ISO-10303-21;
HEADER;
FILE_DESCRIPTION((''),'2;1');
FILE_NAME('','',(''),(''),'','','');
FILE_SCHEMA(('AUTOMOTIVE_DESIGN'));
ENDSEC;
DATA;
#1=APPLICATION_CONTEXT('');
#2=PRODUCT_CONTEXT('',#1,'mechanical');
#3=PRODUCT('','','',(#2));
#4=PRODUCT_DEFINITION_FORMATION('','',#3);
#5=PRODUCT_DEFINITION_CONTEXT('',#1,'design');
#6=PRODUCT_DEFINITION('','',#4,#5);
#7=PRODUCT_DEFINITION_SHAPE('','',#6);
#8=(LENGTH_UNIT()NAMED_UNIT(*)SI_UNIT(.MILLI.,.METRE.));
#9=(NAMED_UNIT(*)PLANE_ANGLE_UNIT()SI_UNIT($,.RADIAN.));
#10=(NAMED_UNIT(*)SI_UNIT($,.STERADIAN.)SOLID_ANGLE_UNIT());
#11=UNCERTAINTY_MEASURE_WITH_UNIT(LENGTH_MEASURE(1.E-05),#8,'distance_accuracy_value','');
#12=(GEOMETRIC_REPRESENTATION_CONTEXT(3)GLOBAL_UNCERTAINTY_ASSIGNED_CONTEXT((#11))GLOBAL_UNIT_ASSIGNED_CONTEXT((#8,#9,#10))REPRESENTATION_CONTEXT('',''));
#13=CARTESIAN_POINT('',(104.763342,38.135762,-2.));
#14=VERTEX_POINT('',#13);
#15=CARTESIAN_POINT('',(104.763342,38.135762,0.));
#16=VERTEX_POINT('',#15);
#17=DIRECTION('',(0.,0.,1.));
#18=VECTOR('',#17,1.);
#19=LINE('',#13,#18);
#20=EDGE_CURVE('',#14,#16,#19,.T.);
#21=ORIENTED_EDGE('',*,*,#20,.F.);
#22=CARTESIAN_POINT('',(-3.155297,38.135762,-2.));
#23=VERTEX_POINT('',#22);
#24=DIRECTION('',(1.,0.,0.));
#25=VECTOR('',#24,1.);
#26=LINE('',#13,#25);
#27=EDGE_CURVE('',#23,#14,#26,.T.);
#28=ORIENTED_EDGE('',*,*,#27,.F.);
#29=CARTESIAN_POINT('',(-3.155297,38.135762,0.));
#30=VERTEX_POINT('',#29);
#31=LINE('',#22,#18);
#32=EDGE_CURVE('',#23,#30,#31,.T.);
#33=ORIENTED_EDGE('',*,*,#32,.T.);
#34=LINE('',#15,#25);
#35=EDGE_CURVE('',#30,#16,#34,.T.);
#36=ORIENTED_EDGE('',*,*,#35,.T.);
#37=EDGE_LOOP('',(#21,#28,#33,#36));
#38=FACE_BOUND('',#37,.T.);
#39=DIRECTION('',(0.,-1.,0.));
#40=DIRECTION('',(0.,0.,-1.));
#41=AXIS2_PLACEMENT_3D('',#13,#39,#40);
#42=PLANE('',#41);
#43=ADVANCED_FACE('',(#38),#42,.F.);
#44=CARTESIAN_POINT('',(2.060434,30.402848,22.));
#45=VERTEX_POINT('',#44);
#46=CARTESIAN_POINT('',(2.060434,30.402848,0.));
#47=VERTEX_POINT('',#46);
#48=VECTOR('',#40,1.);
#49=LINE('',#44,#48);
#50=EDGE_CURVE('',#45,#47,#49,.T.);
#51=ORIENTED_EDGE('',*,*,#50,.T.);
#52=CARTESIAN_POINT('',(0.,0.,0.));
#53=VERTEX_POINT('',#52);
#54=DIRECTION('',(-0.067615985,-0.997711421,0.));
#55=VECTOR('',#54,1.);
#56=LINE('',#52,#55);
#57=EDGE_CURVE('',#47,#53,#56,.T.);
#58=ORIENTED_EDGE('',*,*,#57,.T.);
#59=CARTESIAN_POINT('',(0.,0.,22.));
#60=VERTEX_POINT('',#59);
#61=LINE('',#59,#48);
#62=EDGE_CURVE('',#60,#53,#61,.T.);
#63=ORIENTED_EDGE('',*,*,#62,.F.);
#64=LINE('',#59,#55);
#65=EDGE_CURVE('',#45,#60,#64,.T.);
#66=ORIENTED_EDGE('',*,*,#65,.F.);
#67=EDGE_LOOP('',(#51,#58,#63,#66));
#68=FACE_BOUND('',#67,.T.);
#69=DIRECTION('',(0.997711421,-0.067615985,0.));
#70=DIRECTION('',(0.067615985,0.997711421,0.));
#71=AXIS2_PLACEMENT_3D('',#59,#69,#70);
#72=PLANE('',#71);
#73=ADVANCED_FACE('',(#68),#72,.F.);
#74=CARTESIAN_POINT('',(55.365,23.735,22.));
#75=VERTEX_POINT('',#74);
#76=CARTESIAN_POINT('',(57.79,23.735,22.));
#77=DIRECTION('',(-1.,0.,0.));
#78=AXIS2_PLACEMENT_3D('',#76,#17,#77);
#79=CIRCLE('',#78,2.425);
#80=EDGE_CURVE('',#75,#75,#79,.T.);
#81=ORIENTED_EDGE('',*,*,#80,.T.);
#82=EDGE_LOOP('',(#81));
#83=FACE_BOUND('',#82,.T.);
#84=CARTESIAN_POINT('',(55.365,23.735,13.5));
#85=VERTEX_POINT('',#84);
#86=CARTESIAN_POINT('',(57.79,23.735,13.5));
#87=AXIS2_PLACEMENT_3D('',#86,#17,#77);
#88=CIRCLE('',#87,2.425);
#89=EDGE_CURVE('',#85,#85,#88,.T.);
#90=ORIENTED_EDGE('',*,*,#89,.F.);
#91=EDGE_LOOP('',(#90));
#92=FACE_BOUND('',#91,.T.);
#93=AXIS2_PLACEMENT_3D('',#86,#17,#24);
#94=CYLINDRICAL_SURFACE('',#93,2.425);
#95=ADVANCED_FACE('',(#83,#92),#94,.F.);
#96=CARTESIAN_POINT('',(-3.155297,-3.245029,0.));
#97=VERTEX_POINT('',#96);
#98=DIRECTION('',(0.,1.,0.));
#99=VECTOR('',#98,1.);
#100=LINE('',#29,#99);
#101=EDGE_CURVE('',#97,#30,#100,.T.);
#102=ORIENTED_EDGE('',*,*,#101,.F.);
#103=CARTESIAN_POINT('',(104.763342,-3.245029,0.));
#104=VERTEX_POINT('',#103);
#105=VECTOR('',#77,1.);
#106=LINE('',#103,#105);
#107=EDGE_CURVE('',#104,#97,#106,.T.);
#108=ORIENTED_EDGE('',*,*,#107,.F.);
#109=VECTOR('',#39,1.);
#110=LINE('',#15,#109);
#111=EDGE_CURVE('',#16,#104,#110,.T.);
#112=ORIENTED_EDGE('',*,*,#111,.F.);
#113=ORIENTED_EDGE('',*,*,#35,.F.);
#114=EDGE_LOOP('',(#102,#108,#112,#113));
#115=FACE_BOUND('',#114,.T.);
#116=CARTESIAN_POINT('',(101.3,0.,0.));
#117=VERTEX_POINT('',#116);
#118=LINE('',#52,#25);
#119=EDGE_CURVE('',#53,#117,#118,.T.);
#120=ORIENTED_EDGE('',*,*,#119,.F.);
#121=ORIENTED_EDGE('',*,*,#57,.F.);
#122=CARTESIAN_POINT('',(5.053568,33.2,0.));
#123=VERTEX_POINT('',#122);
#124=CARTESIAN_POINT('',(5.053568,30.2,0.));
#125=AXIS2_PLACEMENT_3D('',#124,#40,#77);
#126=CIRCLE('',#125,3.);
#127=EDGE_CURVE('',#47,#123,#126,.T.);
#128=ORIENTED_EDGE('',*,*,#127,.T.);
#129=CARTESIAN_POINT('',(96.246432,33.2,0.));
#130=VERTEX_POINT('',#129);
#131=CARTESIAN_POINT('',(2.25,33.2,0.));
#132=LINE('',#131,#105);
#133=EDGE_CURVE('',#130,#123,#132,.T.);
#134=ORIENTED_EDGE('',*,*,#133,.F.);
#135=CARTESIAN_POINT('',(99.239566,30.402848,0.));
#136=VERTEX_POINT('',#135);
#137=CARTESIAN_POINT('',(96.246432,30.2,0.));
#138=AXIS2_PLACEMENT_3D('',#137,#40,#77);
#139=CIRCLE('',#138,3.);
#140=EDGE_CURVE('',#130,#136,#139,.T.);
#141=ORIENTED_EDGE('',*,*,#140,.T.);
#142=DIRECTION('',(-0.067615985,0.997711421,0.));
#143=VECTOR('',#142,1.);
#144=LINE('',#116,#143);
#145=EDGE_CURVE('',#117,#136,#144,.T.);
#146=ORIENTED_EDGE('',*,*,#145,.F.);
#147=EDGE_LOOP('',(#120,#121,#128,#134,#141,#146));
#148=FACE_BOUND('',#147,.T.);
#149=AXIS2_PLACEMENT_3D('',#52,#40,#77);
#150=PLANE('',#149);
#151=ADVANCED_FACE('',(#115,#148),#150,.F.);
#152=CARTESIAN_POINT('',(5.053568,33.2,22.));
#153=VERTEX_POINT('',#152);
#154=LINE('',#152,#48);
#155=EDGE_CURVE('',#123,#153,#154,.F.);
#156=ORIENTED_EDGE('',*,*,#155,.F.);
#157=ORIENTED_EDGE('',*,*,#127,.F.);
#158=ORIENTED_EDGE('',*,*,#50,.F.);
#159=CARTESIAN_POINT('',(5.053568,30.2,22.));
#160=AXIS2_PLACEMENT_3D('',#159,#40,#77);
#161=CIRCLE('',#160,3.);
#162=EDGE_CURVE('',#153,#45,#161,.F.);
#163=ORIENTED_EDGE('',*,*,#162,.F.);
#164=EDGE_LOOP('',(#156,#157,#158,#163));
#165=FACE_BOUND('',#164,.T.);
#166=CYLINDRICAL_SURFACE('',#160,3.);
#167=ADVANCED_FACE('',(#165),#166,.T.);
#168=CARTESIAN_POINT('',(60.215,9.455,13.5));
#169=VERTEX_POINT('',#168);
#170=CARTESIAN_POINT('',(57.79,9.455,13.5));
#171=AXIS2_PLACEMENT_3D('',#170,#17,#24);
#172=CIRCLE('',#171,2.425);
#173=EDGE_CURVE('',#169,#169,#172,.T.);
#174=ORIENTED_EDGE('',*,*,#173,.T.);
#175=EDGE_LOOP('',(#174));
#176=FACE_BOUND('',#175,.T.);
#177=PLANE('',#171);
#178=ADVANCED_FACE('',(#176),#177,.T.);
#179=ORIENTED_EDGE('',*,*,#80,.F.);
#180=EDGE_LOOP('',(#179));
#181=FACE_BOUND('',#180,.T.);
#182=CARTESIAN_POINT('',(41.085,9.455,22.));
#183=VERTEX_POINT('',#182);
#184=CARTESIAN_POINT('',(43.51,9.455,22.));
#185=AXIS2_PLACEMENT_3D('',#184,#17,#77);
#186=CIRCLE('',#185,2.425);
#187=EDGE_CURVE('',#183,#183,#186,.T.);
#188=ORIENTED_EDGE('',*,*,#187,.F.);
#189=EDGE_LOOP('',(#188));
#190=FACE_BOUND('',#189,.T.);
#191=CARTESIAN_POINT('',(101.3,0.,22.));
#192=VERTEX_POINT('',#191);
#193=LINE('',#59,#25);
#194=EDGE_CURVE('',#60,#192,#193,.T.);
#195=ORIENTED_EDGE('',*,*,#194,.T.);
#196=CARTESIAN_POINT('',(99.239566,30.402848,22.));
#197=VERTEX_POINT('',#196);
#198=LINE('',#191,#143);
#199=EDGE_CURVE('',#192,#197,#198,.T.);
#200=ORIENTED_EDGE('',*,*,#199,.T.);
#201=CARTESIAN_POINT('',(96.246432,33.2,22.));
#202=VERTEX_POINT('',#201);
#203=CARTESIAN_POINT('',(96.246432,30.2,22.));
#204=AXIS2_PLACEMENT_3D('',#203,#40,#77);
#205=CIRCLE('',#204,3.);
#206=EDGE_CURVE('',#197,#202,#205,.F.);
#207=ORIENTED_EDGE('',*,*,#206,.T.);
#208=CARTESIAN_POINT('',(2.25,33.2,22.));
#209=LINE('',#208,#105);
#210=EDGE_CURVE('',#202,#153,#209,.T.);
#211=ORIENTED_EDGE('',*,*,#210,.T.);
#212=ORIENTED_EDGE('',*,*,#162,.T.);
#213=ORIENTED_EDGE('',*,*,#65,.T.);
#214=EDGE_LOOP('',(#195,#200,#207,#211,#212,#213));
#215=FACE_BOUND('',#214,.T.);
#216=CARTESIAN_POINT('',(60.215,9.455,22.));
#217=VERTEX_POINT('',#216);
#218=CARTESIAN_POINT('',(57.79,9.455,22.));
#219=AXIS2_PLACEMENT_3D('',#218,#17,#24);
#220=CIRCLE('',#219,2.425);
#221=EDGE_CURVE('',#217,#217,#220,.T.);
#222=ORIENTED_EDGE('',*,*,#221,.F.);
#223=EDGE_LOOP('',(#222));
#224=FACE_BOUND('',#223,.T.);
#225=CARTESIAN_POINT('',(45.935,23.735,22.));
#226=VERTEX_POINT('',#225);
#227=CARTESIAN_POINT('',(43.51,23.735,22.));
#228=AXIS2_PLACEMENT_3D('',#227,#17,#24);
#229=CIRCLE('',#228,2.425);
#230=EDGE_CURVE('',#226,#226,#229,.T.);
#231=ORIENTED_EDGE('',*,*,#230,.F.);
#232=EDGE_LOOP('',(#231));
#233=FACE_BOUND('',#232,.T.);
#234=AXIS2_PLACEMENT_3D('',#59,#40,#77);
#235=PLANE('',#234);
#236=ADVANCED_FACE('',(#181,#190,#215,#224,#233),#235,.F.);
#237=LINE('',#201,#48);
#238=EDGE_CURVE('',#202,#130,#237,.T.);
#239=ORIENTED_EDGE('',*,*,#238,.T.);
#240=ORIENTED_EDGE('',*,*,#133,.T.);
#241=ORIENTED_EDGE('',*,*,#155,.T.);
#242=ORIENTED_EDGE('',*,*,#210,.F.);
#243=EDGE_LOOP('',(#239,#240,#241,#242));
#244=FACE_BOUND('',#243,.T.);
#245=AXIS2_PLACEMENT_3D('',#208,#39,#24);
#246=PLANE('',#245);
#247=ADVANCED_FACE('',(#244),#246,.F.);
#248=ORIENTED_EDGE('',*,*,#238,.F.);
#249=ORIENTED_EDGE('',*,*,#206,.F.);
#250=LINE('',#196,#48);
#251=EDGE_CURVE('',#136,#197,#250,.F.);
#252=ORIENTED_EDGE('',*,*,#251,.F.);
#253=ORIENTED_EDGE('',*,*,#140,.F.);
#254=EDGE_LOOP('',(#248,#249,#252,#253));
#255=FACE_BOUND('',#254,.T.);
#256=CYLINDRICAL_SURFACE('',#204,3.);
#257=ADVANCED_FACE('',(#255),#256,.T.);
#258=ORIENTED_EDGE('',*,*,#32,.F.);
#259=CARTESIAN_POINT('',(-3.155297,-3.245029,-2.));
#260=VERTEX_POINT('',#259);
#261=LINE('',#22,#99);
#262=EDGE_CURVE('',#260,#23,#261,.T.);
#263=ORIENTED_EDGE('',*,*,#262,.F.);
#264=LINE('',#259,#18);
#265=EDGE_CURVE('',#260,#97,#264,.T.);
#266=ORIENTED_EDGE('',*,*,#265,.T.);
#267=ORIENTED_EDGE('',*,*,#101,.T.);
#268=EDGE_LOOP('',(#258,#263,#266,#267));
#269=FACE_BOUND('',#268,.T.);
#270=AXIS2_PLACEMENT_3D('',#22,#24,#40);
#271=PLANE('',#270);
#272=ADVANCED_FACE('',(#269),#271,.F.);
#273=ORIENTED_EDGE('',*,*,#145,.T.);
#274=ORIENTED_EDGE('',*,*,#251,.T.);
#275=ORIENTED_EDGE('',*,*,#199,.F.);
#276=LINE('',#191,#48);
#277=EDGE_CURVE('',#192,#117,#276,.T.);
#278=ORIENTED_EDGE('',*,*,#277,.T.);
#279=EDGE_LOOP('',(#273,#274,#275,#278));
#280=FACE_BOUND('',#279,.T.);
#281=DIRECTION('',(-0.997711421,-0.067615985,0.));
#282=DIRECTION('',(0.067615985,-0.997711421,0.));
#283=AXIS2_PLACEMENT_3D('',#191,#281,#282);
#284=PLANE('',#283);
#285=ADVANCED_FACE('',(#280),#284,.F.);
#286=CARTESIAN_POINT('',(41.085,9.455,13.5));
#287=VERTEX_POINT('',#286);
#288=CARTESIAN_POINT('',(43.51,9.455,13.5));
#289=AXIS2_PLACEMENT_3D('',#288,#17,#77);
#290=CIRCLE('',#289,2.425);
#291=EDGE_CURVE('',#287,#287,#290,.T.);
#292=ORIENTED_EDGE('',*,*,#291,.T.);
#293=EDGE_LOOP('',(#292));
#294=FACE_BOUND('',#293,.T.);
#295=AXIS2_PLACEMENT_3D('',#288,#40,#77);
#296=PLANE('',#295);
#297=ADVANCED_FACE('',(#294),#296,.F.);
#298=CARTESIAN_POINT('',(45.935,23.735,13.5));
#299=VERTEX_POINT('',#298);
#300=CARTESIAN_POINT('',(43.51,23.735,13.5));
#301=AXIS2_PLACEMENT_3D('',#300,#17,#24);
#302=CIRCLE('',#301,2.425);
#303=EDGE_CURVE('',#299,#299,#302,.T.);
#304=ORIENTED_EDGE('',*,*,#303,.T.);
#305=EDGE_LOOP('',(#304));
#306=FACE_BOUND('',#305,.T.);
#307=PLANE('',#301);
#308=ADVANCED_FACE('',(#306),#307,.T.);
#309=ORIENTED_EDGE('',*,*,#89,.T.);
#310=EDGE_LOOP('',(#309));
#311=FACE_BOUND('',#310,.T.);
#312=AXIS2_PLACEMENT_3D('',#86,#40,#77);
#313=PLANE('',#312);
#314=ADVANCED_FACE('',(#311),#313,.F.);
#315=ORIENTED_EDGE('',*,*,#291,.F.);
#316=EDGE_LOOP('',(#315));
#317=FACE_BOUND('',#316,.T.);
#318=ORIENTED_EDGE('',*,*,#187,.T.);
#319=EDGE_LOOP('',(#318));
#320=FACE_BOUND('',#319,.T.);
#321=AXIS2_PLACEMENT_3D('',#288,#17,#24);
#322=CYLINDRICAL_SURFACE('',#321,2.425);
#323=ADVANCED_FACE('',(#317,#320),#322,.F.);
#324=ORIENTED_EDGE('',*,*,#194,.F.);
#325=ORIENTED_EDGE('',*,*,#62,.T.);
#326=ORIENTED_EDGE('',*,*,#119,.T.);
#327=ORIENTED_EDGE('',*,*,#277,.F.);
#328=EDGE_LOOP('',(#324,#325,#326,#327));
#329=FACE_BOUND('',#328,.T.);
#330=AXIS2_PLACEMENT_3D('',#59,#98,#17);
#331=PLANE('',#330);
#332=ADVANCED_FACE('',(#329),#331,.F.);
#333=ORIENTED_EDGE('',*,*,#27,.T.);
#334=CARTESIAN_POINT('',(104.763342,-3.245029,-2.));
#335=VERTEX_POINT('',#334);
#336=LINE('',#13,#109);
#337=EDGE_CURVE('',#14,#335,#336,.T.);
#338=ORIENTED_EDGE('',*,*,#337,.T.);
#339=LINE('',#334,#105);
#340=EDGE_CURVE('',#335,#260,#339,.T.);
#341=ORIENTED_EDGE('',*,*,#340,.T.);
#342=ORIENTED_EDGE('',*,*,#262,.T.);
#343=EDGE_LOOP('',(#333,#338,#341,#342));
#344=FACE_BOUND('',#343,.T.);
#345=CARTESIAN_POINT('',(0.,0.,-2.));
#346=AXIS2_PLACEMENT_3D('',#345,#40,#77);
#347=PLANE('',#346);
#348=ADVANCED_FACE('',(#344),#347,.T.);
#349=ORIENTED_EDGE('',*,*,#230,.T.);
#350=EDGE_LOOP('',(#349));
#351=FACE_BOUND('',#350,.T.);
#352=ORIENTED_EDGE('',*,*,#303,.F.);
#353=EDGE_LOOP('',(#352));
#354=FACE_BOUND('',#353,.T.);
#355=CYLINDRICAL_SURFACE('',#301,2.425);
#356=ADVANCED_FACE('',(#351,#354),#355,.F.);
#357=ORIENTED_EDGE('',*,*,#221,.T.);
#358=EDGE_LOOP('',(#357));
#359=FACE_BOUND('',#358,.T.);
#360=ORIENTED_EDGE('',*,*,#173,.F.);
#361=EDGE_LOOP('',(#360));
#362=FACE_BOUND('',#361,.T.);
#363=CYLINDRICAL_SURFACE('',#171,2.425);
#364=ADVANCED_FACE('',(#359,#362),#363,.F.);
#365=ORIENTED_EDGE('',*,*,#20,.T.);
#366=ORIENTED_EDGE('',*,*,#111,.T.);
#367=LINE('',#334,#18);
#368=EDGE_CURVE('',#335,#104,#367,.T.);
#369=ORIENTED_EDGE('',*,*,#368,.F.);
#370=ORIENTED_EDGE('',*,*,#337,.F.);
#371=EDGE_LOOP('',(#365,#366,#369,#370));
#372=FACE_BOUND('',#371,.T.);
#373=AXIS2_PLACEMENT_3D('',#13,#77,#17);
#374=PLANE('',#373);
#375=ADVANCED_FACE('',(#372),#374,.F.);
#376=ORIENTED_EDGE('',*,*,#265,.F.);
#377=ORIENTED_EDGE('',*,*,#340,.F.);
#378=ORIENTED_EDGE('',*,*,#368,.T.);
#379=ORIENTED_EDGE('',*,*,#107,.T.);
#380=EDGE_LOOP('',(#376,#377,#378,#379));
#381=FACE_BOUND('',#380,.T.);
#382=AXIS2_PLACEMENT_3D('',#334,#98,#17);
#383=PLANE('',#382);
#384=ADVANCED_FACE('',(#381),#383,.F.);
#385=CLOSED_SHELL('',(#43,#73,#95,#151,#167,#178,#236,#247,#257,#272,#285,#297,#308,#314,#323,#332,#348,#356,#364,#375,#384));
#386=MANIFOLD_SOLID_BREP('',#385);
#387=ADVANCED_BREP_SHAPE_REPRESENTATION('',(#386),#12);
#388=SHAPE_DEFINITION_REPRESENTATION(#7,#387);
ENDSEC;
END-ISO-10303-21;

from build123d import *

# Parameters (mm, degrees)
P_IDAT_VYSUNUT_M1_DEPTH  = 22
ZAOBLIT1_R               = 3
SKICA2_W                 = 107.918638888
SKICA2_H                 = 41.380791124
P_IDAT_VYSUNUT_M2_DEPTH  = 2
SKICA3_R                 = 2.425
ODEBRAT_VYSUNUT_M1_DEPTH = 8.5


with BuildPart() as part:
    # Skica1 → Přidat vysunutím1 (new body)
    with BuildSketch(Plane.XY):
        Polygon((0, 0), (101.3, 0), (99.05, 33.2), (2.25, 33.2), align=None)
    extrude(amount=P_IDAT_VYSUNUT_M1_DEPTH)

    # Zaoblit1
    zaoblit1_edges = [part.edges().sort_by_distance(p)[0] for p in [
        (2.25, 33.2, 11),
        (99.05, 33.2, 11),
    ]]
    fillet(zaoblit1_edges, radius=ZAOBLIT1_R)

    # Skica2 → Přidat vysunutím2 (add)
    with BuildSketch(Plane(origin=(0, 0, 0), x_dir=(-1, 0, 0), z_dir=(0, 0, -1))):
        with Locations((-50.804022796, 17.445366235)):
            Rectangle(SKICA2_W, SKICA2_H)
    extrude(amount=P_IDAT_VYSUNUT_M2_DEPTH)

    # Skica3 → Odebrat vysunutím1 (cut)
    with BuildSketch(Plane.XY.offset(22)):
        with Locations((57.79, 9.455)):
            Circle(SKICA3_R)
        with Locations(Location((43.51, 9.455, 0), (0, 0, 180))):
            Circle(SKICA3_R)
        with Locations(Location((57.79, 23.735, 0), (0, 0, 180))):
            Circle(SKICA3_R)
        with Locations((43.51, 23.735)):
            Circle(SKICA3_R)
    extrude(amount=-ODEBRAT_VYSUNUT_M1_DEPTH, mode=Mode.SUBTRACT)


solid = part.part
